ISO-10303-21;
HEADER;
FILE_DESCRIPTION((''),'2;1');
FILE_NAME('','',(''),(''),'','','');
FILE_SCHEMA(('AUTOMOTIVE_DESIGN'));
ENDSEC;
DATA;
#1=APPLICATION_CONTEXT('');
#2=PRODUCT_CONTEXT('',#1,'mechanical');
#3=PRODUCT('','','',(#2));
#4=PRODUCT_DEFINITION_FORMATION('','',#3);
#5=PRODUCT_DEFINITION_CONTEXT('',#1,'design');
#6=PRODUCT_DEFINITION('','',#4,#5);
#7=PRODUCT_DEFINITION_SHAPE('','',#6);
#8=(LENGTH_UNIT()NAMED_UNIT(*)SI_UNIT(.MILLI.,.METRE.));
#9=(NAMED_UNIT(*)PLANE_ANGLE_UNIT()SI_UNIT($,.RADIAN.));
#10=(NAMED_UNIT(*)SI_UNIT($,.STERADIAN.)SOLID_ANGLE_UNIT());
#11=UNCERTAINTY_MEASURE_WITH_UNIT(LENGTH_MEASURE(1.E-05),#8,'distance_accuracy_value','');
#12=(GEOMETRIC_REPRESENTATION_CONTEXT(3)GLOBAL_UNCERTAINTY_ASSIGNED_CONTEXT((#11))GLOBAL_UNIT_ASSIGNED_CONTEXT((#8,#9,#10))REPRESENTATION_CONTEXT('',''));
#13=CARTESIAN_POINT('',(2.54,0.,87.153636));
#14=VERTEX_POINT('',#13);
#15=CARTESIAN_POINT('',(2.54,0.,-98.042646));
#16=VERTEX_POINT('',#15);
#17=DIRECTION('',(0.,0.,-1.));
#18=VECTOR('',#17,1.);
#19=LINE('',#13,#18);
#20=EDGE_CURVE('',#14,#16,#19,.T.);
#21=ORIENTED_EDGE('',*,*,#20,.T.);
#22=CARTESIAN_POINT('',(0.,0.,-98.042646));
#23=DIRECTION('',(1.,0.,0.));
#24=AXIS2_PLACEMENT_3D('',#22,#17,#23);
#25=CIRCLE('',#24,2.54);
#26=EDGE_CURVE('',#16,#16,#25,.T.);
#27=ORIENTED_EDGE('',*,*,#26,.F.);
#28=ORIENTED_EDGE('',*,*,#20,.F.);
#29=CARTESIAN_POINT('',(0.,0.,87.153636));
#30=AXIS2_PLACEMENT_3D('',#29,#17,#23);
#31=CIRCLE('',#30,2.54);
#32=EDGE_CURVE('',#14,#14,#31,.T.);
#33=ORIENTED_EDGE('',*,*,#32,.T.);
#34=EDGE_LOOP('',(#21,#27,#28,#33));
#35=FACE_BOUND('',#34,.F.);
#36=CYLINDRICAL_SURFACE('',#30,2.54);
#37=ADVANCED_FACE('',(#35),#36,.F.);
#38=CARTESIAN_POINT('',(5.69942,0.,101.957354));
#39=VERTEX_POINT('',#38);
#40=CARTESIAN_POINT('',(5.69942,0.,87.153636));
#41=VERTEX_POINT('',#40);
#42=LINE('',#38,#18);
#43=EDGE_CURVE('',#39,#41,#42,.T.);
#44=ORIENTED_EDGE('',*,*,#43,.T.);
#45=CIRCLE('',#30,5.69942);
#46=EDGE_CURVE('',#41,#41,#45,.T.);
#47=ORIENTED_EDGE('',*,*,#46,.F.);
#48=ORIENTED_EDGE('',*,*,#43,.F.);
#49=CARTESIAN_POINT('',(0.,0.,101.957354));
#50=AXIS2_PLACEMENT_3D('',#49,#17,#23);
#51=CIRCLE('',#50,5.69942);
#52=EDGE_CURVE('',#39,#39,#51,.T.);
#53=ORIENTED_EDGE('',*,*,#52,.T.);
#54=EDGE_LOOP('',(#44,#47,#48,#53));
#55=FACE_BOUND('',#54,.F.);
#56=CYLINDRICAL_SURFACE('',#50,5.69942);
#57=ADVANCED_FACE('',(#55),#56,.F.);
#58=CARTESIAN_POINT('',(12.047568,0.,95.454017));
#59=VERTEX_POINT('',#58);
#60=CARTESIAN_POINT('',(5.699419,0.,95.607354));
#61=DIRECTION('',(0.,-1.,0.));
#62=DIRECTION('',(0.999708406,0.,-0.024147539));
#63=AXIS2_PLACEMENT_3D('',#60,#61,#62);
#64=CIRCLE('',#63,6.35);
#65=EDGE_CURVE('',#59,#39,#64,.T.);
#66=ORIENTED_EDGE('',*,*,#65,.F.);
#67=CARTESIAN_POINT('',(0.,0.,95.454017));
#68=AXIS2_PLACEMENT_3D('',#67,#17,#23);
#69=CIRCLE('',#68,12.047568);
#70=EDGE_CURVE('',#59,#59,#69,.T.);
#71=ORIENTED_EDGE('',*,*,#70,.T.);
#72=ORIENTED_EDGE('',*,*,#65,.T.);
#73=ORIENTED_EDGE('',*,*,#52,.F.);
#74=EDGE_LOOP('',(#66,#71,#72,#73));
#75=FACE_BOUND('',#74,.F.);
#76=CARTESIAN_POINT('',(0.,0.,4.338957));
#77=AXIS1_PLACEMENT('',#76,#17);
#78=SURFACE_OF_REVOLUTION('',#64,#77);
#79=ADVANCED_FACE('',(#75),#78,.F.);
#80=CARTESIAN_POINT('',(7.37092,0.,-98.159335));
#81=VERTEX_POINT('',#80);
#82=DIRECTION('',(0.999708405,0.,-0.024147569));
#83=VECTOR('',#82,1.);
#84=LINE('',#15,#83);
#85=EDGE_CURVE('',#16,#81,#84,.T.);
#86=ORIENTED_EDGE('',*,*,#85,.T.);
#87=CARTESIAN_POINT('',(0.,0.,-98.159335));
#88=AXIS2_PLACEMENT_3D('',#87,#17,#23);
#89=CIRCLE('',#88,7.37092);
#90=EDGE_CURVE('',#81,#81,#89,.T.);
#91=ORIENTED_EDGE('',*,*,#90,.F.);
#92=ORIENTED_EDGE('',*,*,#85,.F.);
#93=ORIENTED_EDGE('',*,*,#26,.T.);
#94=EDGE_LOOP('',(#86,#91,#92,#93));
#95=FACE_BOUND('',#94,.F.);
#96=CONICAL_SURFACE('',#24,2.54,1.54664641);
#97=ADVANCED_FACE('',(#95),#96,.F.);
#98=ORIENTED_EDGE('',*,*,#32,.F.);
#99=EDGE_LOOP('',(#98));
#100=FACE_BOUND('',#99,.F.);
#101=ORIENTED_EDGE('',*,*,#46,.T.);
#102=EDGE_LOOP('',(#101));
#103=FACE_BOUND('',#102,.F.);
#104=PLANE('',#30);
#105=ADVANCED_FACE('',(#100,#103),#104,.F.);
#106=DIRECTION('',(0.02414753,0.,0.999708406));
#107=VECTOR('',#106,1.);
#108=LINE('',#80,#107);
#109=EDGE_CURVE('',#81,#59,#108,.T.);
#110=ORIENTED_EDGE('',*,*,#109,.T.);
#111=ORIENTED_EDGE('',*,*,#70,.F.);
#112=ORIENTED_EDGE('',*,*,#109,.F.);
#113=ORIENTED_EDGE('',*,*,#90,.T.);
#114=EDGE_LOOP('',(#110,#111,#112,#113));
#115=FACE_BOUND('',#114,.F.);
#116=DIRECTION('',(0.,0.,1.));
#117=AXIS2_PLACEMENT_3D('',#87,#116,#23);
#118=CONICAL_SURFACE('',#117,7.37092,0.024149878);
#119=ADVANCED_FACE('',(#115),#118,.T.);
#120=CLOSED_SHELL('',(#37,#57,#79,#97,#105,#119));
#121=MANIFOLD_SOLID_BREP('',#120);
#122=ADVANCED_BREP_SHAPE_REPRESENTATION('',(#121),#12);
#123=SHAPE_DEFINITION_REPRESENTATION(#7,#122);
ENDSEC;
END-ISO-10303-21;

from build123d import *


with BuildPart() as f2:
    # F0 (on Front) → F2 (revolve)
    with BuildSketch(Plane.XZ):
        with BuildLine():
            Line((7.37092, -98.159335), (12.047568, 95.454017))
            ThreePointArc((12.047568, 95.454017), (10.243437, 100.042938), (5.69942, 101.957354))
            Line((5.69942, 101.957354), (5.69942, 87.153636))
            Line((5.69942, 87.153636), (2.54, 87.153636))
            Line((2.54, 87.153636), (2.54, -98.042646))
            Line((2.54, -98.042646), (7.37092, -98.159335))
        make_face()
    revolve(axis=Axis((0, 0, 4.338957), (0, 0, -1)))


solid = f2.part
